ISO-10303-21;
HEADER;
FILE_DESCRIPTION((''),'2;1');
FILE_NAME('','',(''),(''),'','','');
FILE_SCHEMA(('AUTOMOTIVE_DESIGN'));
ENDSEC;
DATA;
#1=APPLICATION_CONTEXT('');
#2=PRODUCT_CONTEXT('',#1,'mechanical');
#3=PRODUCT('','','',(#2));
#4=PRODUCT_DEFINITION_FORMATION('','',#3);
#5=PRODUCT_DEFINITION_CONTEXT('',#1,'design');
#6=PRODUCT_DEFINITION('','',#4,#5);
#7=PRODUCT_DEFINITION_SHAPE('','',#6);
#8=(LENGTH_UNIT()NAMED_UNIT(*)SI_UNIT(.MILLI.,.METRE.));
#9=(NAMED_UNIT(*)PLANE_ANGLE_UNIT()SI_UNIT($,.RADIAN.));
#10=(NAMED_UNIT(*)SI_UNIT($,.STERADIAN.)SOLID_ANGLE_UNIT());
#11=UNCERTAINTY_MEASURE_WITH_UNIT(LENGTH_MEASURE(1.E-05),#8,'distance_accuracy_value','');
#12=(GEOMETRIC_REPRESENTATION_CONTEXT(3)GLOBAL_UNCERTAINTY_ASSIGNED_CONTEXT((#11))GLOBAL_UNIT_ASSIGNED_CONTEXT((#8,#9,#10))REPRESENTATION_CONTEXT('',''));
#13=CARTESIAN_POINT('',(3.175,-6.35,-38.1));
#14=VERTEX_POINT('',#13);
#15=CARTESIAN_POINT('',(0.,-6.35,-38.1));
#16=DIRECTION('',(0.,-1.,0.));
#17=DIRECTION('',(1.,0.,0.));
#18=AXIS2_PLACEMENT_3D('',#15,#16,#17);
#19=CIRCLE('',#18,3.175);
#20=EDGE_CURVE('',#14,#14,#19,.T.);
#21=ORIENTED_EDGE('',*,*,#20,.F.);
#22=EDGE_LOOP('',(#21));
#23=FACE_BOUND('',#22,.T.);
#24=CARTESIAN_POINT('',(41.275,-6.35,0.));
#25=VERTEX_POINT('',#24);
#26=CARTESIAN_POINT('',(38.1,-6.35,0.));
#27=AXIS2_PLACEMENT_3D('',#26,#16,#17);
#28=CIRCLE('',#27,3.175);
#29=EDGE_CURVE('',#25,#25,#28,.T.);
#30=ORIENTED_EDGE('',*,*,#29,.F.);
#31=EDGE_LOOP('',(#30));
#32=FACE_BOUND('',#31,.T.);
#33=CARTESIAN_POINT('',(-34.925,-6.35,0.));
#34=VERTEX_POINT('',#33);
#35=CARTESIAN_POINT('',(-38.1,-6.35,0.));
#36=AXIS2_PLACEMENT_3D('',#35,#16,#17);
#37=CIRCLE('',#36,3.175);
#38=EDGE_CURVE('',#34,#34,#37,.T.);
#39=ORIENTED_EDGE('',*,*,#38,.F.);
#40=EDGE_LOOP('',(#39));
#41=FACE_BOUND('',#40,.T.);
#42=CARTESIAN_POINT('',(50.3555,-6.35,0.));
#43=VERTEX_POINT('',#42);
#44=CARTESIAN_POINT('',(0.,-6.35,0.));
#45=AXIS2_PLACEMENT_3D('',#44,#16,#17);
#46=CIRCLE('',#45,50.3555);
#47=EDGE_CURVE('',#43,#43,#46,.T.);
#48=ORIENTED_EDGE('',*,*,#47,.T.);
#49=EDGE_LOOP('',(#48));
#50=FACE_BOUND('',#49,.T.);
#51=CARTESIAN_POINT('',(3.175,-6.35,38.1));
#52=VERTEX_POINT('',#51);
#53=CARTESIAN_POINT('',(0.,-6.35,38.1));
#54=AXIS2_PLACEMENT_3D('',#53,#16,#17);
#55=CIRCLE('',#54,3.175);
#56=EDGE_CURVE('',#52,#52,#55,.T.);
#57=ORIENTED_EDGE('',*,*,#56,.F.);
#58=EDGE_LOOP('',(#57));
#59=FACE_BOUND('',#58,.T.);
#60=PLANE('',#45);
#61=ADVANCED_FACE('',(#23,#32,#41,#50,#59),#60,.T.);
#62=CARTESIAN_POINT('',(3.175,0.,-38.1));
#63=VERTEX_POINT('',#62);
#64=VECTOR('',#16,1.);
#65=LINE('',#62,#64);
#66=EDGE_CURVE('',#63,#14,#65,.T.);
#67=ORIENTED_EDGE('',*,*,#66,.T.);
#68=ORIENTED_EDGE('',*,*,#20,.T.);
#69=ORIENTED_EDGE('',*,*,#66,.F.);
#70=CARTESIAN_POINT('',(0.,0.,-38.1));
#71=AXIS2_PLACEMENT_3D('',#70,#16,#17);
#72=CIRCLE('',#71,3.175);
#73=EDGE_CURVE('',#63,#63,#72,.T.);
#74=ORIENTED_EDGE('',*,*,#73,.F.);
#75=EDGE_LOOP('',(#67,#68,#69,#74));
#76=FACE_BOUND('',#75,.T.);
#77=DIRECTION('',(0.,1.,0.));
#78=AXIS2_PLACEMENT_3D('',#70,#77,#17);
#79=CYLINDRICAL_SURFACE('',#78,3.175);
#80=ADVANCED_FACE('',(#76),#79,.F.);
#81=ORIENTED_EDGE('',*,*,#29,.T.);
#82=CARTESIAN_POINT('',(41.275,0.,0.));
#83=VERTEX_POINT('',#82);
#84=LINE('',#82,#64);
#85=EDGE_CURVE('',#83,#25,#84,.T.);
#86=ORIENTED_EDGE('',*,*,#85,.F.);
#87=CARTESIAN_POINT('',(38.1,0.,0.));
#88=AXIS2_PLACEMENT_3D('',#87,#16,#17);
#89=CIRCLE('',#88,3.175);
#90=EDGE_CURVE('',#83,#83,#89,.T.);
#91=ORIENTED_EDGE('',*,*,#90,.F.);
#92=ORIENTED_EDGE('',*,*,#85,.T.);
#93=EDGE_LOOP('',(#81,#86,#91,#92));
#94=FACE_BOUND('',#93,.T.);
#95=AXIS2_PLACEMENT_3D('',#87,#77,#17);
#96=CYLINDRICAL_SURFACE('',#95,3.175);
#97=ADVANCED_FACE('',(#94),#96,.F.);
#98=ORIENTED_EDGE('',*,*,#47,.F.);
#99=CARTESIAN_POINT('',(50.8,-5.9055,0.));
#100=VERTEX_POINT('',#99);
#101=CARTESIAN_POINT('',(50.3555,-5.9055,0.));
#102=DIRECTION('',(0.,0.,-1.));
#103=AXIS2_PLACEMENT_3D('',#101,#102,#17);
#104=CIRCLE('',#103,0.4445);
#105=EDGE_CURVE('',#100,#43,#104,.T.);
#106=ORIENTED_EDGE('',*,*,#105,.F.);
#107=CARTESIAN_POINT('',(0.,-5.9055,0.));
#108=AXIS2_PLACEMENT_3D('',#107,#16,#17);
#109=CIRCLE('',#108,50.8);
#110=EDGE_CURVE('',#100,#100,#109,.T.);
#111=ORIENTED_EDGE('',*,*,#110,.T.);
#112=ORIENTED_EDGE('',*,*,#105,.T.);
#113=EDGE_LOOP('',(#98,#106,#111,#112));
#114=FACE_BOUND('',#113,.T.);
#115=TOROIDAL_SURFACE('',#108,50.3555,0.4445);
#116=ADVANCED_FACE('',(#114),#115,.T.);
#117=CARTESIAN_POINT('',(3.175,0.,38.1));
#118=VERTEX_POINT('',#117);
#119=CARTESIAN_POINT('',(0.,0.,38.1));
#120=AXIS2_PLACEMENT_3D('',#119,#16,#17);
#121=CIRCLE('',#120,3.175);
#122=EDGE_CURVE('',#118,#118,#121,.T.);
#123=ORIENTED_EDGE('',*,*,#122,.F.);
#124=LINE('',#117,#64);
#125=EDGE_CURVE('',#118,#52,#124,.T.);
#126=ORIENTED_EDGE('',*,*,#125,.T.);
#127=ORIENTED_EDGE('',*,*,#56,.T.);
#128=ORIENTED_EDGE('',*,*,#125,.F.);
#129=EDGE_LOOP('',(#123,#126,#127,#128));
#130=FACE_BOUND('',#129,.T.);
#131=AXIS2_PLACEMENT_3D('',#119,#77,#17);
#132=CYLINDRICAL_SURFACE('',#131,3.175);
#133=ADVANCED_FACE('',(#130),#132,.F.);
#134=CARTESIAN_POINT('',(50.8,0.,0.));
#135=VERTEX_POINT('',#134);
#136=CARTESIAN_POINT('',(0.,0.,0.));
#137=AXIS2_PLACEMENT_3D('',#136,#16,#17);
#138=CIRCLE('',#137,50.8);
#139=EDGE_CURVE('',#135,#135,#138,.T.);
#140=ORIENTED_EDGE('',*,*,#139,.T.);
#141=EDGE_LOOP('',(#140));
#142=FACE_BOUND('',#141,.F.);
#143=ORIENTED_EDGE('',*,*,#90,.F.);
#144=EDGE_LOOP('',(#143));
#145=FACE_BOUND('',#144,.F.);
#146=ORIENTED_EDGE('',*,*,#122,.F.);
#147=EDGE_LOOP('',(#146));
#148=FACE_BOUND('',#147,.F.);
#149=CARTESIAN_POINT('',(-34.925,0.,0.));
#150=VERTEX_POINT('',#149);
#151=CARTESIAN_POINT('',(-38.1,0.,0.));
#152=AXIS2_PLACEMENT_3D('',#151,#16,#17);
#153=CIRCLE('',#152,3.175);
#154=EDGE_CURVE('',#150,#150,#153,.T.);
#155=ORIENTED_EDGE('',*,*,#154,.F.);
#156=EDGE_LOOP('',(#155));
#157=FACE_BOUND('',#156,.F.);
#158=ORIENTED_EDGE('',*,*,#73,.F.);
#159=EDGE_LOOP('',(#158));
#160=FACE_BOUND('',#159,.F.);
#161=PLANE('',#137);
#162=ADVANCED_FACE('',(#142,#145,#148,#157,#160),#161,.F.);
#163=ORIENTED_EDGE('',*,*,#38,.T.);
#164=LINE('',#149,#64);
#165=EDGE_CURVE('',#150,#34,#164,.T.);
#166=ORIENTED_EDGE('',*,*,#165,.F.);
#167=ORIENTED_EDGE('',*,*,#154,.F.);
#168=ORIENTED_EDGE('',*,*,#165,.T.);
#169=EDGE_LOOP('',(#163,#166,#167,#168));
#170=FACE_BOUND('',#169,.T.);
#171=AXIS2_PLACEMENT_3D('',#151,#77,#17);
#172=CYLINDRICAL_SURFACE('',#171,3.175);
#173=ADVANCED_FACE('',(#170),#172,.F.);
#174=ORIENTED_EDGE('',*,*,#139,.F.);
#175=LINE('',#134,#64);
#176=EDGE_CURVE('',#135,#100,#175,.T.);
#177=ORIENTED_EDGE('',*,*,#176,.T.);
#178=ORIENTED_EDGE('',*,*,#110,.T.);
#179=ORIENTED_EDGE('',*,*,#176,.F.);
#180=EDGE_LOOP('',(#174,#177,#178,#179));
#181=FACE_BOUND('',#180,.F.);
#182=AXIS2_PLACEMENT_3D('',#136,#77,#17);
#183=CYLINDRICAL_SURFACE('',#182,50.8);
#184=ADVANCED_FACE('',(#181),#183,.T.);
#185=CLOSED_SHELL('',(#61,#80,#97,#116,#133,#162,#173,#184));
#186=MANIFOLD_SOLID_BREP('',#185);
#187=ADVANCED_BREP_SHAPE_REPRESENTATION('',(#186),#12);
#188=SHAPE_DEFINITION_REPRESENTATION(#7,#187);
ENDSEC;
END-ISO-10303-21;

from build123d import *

# Parameters (mm, degrees)
F0_R     = 50.8
F0_R_2   = 3.175
F1_DEPTH = 6.35
F2_R     = 0.4445


with BuildPart() as f1:
    # F0 (on Front) → F1 (new body)
    with BuildSketch(Plane.XZ):
        Circle(F0_R)
        with Locations((0, -38.1)):
            Circle(F0_R_2, mode=Mode.SUBTRACT)
        with Locations((-38.1, 0)):
            Circle(F0_R_2, mode=Mode.SUBTRACT)
        with Locations((38.1, 0)):
            Circle(F0_R_2, mode=Mode.SUBTRACT)
        with Locations((0, 38.1)):
            Circle(F0_R_2, mode=Mode.SUBTRACT)
    extrude(amount=F1_DEPTH)

    # F2
    f2_edges = [f1.edges().sort_by_distance(p)[0] for p in [
        (-50.8, -6.35, 0),
    ]]
    fillet(f2_edges, radius=F2_R)


solid = f1.part
